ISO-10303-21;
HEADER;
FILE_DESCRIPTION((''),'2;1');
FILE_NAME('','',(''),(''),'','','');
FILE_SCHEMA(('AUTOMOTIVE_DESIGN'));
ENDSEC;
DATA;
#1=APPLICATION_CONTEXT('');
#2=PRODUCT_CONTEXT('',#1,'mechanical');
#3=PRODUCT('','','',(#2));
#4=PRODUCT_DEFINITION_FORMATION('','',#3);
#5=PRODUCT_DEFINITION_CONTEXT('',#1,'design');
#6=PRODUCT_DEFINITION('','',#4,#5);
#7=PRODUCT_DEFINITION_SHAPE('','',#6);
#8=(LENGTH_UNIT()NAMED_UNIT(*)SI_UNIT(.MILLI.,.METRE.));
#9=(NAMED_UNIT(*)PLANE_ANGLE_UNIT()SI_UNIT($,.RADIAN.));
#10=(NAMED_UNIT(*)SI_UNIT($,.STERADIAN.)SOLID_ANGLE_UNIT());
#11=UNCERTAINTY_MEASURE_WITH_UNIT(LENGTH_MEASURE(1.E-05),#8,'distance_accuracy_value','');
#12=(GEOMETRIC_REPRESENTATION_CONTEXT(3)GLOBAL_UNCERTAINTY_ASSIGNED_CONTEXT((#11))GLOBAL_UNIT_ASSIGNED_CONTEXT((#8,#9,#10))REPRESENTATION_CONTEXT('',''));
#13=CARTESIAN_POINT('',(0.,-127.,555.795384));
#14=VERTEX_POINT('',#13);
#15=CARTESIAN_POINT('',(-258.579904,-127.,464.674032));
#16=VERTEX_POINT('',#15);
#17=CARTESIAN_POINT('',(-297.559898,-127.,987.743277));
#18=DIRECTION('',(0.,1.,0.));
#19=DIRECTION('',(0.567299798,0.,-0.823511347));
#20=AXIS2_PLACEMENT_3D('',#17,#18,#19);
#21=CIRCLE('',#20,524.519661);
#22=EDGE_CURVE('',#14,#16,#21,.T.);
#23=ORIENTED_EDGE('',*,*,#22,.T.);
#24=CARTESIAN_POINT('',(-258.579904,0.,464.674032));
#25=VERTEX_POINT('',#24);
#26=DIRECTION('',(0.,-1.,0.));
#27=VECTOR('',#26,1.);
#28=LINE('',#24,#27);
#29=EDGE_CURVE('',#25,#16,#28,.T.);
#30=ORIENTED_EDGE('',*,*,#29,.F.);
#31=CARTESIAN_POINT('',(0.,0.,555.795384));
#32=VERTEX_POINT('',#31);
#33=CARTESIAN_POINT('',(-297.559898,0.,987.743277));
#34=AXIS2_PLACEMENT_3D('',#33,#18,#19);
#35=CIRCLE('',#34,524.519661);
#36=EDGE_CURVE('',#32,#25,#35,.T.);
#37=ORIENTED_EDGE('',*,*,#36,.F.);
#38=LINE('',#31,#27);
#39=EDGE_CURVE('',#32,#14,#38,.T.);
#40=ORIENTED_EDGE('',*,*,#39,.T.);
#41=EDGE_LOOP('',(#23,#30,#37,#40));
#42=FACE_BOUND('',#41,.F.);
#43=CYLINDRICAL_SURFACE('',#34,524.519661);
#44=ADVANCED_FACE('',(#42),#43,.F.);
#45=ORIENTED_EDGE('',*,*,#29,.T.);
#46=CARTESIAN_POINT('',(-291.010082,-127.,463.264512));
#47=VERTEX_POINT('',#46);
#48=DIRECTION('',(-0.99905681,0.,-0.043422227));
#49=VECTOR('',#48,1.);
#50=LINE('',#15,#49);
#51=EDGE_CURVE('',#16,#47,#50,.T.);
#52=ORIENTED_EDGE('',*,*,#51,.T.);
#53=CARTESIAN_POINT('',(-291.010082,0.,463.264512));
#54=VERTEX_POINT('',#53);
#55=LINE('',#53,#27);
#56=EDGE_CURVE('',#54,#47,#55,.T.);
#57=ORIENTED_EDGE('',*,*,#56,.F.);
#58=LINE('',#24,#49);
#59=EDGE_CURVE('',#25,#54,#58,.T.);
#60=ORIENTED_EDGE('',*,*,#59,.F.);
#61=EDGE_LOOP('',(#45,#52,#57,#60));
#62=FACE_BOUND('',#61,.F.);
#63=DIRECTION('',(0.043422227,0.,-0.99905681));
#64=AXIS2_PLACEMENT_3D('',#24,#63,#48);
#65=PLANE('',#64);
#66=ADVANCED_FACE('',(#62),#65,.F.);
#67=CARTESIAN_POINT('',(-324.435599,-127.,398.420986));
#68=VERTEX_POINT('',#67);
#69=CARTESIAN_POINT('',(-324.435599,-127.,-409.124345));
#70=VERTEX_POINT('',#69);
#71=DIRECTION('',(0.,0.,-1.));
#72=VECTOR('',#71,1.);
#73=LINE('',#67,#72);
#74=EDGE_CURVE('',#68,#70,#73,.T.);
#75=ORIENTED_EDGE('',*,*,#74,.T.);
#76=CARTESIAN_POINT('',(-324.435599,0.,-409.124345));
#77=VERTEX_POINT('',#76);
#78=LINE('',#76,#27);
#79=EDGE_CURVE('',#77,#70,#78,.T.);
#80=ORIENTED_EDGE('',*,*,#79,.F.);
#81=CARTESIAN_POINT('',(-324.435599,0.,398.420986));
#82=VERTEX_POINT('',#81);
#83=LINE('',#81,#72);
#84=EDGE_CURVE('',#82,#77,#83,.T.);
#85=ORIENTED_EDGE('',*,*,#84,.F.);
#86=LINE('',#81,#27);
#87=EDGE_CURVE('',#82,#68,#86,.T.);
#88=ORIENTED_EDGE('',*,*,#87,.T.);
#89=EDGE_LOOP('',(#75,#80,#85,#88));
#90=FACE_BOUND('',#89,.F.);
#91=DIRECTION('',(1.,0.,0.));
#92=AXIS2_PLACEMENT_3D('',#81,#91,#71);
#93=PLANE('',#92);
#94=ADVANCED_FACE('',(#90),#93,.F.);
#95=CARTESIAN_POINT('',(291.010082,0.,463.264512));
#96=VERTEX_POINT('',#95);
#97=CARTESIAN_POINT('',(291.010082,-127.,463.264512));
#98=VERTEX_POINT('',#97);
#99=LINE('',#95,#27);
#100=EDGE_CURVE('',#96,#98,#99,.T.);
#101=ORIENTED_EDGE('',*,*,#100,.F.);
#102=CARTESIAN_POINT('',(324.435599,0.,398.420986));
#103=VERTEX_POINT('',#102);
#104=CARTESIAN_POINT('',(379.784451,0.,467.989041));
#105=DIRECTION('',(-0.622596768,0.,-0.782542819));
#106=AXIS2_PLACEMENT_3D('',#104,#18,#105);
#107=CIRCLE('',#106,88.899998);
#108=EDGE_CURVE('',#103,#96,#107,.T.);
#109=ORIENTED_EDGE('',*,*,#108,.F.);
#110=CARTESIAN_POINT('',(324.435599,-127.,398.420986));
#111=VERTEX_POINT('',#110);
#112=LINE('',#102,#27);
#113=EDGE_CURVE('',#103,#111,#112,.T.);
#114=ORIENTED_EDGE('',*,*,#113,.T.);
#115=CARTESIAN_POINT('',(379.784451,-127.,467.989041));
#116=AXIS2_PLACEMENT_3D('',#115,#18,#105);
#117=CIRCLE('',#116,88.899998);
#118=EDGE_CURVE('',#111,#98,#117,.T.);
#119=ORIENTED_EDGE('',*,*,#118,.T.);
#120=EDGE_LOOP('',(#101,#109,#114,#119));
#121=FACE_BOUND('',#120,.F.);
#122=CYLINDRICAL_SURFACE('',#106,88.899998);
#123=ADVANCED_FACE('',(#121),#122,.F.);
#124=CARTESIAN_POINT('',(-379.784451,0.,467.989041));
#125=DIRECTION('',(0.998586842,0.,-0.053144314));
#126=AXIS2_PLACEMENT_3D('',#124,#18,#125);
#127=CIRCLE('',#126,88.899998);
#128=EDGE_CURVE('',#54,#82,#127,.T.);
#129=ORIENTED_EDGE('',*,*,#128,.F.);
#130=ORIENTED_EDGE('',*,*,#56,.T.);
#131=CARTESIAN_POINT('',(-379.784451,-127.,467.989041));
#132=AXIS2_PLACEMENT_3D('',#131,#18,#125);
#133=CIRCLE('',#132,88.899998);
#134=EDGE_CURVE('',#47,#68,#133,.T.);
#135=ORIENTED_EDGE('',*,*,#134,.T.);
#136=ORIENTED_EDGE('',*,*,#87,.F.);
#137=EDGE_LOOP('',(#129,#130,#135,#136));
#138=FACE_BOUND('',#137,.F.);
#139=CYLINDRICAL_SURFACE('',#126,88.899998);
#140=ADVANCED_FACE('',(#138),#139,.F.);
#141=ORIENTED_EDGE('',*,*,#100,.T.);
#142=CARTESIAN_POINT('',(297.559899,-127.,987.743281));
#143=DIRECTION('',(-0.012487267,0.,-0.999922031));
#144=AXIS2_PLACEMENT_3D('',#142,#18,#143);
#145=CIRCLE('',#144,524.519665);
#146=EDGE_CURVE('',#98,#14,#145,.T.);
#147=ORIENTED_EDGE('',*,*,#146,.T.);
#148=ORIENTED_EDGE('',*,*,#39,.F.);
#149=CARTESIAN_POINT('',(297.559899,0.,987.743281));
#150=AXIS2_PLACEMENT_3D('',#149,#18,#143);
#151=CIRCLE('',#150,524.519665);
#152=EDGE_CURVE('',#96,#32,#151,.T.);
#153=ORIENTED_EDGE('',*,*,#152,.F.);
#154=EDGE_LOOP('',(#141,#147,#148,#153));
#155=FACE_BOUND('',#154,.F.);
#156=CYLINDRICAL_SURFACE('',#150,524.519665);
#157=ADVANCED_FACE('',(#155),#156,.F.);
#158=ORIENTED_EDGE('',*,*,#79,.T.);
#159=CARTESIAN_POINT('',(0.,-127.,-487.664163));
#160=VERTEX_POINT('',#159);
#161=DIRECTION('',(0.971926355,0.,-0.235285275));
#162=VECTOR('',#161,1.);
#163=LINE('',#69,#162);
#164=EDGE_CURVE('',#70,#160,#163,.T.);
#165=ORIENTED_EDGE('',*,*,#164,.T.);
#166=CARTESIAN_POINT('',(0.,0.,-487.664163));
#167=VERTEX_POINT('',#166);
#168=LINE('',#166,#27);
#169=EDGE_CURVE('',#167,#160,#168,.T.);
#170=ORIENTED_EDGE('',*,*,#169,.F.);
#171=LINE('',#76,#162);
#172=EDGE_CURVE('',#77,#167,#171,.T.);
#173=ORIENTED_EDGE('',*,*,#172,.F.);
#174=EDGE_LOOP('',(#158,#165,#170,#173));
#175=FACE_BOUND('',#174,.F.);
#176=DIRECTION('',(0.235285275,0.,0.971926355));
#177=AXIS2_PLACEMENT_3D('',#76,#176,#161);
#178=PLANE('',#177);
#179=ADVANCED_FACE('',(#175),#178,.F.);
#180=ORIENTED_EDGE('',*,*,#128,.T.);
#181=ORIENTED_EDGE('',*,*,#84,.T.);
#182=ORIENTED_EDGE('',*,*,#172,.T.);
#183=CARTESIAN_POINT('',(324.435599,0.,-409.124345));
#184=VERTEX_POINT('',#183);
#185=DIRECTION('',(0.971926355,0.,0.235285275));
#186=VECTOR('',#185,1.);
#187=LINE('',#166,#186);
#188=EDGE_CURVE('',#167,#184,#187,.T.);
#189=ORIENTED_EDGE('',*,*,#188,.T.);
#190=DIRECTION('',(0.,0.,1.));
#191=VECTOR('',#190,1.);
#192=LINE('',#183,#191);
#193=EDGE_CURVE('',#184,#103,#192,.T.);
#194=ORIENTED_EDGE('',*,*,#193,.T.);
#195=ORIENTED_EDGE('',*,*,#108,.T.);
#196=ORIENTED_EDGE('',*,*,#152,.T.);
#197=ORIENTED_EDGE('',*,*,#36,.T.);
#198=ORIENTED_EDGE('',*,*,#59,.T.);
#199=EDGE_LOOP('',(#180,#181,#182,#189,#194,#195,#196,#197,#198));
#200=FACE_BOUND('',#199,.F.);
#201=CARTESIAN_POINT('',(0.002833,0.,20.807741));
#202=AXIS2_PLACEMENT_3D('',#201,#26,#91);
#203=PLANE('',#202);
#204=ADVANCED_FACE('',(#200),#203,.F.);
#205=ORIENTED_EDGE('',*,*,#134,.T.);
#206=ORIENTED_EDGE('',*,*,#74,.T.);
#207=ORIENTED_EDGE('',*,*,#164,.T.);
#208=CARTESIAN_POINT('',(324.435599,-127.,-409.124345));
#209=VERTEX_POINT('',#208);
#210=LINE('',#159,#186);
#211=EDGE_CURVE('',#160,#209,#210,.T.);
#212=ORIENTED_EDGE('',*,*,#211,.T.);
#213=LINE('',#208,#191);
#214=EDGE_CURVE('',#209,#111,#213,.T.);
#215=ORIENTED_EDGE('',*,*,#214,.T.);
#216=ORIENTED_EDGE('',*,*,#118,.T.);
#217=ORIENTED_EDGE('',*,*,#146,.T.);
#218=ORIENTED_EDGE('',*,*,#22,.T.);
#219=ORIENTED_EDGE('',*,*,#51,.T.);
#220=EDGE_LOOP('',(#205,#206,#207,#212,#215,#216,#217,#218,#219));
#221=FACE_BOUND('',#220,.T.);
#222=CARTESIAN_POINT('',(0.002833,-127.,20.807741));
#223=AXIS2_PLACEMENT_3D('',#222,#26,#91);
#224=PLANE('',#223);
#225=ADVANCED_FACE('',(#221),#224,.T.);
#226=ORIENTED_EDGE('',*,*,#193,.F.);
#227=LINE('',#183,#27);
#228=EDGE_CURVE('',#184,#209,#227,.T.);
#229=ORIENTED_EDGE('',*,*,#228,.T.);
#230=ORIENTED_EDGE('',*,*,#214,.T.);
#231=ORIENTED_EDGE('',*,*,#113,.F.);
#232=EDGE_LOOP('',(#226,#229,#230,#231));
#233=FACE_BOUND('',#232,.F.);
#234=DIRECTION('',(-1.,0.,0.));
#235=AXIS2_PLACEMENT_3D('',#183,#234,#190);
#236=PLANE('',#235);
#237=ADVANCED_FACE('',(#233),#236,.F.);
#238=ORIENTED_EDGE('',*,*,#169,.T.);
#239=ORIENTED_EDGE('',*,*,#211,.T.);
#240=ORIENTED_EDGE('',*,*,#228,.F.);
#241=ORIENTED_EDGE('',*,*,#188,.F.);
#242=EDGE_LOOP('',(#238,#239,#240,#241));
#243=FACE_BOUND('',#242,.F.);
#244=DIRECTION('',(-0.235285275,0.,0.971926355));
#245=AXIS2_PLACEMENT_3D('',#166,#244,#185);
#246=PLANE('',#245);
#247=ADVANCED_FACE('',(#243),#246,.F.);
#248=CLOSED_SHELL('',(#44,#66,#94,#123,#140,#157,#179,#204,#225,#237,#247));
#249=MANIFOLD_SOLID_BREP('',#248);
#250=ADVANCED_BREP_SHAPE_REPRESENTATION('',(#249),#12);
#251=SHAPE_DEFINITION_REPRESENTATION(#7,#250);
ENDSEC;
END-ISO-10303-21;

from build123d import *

# Parameters (mm, degrees)
F1_DEPTH = 127


with BuildPart() as f1:
    # F0 (on Front) → F1 (new body)
    with BuildSketch(Plane.XZ):
        with BuildLine():
            ThreePointArc((-291.010082, 463.264512), (-300.765172, 427.256213), (-324.435599, 398.420986))
            Line((-324.435599, 398.420986), (-324.435599, -409.124345))
            Line((-324.435599, -409.124345), (0, -487.664163))
            Line((0, -487.664163), (324.435599, -409.124345))
            Line((324.435599, -409.124345), (324.435599, 398.420986))
            ThreePointArc((324.435599, 398.420986), (300.765172, 427.256213), (291.010082, 463.264512))
            ThreePointArc((291.010082, 463.264512), (138.622268, 487.883592), (0, 555.795384))
            ThreePointArc((0, 555.795384), (-123.231042, 493.041018), (-258.579904, 464.674032))
            Line((-258.579904, 464.674032), (-291.010082, 463.264512))
        make_face()
    extrude(amount=F1_DEPTH)


solid = f1.part
